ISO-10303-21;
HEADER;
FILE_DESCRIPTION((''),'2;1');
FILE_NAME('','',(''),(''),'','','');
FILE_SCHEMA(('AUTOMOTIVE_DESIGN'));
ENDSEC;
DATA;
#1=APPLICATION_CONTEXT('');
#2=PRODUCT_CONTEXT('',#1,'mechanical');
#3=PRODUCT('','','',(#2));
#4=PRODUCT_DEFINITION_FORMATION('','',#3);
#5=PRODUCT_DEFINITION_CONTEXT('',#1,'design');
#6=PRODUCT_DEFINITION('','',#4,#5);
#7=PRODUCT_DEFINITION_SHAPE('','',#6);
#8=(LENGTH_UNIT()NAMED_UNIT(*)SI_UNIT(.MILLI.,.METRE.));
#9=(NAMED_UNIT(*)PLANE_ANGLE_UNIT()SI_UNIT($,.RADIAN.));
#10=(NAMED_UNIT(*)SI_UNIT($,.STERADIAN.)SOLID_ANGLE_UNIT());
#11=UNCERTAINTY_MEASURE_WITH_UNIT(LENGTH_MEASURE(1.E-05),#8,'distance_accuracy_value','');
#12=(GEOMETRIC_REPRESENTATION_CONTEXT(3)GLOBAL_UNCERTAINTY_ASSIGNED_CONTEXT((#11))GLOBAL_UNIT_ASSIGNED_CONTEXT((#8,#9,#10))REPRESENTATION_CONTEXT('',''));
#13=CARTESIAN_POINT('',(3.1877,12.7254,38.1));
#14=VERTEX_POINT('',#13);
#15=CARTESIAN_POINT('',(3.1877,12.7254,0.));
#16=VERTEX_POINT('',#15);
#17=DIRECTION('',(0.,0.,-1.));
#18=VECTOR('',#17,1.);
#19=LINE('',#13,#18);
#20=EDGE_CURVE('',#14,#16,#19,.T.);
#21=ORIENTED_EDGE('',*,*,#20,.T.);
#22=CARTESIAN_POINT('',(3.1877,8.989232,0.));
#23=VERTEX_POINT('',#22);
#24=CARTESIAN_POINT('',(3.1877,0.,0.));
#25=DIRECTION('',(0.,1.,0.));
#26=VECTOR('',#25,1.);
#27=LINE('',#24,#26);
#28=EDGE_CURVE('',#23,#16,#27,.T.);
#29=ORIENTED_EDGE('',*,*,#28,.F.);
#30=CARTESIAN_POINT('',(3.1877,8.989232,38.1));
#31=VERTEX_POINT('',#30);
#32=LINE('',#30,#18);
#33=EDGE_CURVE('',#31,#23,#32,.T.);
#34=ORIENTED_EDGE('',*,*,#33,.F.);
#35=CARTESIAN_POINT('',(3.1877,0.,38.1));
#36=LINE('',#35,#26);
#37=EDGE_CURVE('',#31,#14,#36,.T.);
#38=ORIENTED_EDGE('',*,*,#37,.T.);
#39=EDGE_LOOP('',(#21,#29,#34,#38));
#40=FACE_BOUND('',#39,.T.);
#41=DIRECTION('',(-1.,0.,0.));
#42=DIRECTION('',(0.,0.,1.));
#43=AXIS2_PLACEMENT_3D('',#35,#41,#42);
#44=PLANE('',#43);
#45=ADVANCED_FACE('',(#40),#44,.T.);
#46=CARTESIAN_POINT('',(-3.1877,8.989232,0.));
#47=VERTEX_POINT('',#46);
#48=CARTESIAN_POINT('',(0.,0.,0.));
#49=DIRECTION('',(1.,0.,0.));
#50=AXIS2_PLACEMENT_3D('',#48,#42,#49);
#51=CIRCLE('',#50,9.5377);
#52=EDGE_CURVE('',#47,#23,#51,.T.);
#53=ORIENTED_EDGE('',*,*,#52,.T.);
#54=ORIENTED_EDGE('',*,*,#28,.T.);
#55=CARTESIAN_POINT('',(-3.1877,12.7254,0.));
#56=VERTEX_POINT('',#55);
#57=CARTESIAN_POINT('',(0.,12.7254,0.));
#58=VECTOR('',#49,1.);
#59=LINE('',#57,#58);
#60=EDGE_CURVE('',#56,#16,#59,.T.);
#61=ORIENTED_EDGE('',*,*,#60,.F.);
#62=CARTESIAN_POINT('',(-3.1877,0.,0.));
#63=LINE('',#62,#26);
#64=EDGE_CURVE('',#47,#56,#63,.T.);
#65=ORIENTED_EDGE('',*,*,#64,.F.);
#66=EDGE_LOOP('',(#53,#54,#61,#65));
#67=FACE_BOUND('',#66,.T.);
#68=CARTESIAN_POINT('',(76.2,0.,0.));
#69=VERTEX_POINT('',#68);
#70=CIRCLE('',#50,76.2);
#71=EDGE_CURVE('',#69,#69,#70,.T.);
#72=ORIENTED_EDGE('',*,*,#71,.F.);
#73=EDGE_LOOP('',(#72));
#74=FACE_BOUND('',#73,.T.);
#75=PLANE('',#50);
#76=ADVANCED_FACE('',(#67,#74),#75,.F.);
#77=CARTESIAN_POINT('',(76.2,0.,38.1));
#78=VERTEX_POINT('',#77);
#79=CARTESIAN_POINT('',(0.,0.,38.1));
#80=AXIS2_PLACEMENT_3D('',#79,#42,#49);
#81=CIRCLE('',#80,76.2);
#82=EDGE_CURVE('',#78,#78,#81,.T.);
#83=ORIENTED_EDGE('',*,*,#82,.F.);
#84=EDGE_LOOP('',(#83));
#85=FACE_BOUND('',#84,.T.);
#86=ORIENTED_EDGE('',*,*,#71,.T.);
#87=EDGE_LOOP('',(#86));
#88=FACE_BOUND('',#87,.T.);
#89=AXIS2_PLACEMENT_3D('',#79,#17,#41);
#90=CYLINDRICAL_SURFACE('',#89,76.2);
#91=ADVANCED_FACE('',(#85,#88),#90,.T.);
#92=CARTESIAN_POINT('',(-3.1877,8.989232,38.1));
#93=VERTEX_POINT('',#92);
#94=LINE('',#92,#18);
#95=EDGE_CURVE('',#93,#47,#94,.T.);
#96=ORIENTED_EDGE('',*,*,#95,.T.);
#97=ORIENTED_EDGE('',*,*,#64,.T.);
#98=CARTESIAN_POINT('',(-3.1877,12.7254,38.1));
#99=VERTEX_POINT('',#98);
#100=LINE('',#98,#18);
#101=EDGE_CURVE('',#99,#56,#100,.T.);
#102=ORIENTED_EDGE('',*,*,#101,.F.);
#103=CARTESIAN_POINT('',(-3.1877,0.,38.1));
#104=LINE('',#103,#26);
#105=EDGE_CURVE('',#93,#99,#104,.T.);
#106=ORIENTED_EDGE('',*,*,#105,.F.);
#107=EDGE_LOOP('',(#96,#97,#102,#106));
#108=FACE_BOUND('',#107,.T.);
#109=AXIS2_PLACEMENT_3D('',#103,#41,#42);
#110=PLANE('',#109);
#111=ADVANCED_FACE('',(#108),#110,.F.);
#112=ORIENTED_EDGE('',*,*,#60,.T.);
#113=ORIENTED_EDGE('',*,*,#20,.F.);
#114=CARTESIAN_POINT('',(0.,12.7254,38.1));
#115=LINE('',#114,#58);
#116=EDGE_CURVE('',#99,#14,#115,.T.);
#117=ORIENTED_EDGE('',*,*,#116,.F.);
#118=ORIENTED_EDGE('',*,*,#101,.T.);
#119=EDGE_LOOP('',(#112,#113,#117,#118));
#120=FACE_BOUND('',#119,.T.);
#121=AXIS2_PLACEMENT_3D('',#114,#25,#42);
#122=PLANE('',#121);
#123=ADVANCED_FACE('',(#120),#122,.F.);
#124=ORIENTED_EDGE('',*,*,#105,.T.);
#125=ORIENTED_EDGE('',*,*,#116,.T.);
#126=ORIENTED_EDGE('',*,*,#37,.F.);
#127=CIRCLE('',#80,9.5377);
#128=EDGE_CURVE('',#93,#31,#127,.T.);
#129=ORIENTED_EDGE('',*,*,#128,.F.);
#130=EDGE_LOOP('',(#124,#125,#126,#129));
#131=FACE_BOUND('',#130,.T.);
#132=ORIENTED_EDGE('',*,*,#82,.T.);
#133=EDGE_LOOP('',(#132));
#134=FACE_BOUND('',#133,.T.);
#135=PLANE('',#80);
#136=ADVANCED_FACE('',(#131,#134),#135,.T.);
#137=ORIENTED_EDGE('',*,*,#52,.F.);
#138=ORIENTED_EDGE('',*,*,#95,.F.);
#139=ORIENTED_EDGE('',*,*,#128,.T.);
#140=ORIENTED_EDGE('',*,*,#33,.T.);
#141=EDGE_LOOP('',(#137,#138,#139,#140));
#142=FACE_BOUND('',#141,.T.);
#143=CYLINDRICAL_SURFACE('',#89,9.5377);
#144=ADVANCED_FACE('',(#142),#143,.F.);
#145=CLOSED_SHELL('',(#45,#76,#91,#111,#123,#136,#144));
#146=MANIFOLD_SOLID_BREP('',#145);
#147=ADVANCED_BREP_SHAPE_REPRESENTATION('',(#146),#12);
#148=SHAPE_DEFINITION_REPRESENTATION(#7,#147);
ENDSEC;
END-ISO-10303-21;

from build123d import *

# Parameters (mm, degrees)
SKETCH1_R           = 76.2
BOSS_EXTRUDE1_DEPTH = 38.1


with BuildPart() as part:
    # Sketch1 → Boss-Extrude1 (new body)
    with BuildSketch(Plane.XY):
        Circle(SKETCH1_R)
        with BuildLine():
            ThreePointArc((9.5377, 0), (-5.502926267, -7.790091385), (-3.1877, 8.989231892))
            Line((-3.1877, 8.989231892), (-3.1877, 12.7254))
            Line((-3.1877, 12.7254), (3.1877, 12.7254))
            Line((3.1877, 12.7254), (3.1877, 8.989231892))
            ThreePointArc((3.1877, 8.989231892), (7.790091385, 5.502926267), (9.5377, 0))
        make_face(mode=Mode.SUBTRACT)
    extrude(amount=BOSS_EXTRUDE1_DEPTH)


solid = part.part
